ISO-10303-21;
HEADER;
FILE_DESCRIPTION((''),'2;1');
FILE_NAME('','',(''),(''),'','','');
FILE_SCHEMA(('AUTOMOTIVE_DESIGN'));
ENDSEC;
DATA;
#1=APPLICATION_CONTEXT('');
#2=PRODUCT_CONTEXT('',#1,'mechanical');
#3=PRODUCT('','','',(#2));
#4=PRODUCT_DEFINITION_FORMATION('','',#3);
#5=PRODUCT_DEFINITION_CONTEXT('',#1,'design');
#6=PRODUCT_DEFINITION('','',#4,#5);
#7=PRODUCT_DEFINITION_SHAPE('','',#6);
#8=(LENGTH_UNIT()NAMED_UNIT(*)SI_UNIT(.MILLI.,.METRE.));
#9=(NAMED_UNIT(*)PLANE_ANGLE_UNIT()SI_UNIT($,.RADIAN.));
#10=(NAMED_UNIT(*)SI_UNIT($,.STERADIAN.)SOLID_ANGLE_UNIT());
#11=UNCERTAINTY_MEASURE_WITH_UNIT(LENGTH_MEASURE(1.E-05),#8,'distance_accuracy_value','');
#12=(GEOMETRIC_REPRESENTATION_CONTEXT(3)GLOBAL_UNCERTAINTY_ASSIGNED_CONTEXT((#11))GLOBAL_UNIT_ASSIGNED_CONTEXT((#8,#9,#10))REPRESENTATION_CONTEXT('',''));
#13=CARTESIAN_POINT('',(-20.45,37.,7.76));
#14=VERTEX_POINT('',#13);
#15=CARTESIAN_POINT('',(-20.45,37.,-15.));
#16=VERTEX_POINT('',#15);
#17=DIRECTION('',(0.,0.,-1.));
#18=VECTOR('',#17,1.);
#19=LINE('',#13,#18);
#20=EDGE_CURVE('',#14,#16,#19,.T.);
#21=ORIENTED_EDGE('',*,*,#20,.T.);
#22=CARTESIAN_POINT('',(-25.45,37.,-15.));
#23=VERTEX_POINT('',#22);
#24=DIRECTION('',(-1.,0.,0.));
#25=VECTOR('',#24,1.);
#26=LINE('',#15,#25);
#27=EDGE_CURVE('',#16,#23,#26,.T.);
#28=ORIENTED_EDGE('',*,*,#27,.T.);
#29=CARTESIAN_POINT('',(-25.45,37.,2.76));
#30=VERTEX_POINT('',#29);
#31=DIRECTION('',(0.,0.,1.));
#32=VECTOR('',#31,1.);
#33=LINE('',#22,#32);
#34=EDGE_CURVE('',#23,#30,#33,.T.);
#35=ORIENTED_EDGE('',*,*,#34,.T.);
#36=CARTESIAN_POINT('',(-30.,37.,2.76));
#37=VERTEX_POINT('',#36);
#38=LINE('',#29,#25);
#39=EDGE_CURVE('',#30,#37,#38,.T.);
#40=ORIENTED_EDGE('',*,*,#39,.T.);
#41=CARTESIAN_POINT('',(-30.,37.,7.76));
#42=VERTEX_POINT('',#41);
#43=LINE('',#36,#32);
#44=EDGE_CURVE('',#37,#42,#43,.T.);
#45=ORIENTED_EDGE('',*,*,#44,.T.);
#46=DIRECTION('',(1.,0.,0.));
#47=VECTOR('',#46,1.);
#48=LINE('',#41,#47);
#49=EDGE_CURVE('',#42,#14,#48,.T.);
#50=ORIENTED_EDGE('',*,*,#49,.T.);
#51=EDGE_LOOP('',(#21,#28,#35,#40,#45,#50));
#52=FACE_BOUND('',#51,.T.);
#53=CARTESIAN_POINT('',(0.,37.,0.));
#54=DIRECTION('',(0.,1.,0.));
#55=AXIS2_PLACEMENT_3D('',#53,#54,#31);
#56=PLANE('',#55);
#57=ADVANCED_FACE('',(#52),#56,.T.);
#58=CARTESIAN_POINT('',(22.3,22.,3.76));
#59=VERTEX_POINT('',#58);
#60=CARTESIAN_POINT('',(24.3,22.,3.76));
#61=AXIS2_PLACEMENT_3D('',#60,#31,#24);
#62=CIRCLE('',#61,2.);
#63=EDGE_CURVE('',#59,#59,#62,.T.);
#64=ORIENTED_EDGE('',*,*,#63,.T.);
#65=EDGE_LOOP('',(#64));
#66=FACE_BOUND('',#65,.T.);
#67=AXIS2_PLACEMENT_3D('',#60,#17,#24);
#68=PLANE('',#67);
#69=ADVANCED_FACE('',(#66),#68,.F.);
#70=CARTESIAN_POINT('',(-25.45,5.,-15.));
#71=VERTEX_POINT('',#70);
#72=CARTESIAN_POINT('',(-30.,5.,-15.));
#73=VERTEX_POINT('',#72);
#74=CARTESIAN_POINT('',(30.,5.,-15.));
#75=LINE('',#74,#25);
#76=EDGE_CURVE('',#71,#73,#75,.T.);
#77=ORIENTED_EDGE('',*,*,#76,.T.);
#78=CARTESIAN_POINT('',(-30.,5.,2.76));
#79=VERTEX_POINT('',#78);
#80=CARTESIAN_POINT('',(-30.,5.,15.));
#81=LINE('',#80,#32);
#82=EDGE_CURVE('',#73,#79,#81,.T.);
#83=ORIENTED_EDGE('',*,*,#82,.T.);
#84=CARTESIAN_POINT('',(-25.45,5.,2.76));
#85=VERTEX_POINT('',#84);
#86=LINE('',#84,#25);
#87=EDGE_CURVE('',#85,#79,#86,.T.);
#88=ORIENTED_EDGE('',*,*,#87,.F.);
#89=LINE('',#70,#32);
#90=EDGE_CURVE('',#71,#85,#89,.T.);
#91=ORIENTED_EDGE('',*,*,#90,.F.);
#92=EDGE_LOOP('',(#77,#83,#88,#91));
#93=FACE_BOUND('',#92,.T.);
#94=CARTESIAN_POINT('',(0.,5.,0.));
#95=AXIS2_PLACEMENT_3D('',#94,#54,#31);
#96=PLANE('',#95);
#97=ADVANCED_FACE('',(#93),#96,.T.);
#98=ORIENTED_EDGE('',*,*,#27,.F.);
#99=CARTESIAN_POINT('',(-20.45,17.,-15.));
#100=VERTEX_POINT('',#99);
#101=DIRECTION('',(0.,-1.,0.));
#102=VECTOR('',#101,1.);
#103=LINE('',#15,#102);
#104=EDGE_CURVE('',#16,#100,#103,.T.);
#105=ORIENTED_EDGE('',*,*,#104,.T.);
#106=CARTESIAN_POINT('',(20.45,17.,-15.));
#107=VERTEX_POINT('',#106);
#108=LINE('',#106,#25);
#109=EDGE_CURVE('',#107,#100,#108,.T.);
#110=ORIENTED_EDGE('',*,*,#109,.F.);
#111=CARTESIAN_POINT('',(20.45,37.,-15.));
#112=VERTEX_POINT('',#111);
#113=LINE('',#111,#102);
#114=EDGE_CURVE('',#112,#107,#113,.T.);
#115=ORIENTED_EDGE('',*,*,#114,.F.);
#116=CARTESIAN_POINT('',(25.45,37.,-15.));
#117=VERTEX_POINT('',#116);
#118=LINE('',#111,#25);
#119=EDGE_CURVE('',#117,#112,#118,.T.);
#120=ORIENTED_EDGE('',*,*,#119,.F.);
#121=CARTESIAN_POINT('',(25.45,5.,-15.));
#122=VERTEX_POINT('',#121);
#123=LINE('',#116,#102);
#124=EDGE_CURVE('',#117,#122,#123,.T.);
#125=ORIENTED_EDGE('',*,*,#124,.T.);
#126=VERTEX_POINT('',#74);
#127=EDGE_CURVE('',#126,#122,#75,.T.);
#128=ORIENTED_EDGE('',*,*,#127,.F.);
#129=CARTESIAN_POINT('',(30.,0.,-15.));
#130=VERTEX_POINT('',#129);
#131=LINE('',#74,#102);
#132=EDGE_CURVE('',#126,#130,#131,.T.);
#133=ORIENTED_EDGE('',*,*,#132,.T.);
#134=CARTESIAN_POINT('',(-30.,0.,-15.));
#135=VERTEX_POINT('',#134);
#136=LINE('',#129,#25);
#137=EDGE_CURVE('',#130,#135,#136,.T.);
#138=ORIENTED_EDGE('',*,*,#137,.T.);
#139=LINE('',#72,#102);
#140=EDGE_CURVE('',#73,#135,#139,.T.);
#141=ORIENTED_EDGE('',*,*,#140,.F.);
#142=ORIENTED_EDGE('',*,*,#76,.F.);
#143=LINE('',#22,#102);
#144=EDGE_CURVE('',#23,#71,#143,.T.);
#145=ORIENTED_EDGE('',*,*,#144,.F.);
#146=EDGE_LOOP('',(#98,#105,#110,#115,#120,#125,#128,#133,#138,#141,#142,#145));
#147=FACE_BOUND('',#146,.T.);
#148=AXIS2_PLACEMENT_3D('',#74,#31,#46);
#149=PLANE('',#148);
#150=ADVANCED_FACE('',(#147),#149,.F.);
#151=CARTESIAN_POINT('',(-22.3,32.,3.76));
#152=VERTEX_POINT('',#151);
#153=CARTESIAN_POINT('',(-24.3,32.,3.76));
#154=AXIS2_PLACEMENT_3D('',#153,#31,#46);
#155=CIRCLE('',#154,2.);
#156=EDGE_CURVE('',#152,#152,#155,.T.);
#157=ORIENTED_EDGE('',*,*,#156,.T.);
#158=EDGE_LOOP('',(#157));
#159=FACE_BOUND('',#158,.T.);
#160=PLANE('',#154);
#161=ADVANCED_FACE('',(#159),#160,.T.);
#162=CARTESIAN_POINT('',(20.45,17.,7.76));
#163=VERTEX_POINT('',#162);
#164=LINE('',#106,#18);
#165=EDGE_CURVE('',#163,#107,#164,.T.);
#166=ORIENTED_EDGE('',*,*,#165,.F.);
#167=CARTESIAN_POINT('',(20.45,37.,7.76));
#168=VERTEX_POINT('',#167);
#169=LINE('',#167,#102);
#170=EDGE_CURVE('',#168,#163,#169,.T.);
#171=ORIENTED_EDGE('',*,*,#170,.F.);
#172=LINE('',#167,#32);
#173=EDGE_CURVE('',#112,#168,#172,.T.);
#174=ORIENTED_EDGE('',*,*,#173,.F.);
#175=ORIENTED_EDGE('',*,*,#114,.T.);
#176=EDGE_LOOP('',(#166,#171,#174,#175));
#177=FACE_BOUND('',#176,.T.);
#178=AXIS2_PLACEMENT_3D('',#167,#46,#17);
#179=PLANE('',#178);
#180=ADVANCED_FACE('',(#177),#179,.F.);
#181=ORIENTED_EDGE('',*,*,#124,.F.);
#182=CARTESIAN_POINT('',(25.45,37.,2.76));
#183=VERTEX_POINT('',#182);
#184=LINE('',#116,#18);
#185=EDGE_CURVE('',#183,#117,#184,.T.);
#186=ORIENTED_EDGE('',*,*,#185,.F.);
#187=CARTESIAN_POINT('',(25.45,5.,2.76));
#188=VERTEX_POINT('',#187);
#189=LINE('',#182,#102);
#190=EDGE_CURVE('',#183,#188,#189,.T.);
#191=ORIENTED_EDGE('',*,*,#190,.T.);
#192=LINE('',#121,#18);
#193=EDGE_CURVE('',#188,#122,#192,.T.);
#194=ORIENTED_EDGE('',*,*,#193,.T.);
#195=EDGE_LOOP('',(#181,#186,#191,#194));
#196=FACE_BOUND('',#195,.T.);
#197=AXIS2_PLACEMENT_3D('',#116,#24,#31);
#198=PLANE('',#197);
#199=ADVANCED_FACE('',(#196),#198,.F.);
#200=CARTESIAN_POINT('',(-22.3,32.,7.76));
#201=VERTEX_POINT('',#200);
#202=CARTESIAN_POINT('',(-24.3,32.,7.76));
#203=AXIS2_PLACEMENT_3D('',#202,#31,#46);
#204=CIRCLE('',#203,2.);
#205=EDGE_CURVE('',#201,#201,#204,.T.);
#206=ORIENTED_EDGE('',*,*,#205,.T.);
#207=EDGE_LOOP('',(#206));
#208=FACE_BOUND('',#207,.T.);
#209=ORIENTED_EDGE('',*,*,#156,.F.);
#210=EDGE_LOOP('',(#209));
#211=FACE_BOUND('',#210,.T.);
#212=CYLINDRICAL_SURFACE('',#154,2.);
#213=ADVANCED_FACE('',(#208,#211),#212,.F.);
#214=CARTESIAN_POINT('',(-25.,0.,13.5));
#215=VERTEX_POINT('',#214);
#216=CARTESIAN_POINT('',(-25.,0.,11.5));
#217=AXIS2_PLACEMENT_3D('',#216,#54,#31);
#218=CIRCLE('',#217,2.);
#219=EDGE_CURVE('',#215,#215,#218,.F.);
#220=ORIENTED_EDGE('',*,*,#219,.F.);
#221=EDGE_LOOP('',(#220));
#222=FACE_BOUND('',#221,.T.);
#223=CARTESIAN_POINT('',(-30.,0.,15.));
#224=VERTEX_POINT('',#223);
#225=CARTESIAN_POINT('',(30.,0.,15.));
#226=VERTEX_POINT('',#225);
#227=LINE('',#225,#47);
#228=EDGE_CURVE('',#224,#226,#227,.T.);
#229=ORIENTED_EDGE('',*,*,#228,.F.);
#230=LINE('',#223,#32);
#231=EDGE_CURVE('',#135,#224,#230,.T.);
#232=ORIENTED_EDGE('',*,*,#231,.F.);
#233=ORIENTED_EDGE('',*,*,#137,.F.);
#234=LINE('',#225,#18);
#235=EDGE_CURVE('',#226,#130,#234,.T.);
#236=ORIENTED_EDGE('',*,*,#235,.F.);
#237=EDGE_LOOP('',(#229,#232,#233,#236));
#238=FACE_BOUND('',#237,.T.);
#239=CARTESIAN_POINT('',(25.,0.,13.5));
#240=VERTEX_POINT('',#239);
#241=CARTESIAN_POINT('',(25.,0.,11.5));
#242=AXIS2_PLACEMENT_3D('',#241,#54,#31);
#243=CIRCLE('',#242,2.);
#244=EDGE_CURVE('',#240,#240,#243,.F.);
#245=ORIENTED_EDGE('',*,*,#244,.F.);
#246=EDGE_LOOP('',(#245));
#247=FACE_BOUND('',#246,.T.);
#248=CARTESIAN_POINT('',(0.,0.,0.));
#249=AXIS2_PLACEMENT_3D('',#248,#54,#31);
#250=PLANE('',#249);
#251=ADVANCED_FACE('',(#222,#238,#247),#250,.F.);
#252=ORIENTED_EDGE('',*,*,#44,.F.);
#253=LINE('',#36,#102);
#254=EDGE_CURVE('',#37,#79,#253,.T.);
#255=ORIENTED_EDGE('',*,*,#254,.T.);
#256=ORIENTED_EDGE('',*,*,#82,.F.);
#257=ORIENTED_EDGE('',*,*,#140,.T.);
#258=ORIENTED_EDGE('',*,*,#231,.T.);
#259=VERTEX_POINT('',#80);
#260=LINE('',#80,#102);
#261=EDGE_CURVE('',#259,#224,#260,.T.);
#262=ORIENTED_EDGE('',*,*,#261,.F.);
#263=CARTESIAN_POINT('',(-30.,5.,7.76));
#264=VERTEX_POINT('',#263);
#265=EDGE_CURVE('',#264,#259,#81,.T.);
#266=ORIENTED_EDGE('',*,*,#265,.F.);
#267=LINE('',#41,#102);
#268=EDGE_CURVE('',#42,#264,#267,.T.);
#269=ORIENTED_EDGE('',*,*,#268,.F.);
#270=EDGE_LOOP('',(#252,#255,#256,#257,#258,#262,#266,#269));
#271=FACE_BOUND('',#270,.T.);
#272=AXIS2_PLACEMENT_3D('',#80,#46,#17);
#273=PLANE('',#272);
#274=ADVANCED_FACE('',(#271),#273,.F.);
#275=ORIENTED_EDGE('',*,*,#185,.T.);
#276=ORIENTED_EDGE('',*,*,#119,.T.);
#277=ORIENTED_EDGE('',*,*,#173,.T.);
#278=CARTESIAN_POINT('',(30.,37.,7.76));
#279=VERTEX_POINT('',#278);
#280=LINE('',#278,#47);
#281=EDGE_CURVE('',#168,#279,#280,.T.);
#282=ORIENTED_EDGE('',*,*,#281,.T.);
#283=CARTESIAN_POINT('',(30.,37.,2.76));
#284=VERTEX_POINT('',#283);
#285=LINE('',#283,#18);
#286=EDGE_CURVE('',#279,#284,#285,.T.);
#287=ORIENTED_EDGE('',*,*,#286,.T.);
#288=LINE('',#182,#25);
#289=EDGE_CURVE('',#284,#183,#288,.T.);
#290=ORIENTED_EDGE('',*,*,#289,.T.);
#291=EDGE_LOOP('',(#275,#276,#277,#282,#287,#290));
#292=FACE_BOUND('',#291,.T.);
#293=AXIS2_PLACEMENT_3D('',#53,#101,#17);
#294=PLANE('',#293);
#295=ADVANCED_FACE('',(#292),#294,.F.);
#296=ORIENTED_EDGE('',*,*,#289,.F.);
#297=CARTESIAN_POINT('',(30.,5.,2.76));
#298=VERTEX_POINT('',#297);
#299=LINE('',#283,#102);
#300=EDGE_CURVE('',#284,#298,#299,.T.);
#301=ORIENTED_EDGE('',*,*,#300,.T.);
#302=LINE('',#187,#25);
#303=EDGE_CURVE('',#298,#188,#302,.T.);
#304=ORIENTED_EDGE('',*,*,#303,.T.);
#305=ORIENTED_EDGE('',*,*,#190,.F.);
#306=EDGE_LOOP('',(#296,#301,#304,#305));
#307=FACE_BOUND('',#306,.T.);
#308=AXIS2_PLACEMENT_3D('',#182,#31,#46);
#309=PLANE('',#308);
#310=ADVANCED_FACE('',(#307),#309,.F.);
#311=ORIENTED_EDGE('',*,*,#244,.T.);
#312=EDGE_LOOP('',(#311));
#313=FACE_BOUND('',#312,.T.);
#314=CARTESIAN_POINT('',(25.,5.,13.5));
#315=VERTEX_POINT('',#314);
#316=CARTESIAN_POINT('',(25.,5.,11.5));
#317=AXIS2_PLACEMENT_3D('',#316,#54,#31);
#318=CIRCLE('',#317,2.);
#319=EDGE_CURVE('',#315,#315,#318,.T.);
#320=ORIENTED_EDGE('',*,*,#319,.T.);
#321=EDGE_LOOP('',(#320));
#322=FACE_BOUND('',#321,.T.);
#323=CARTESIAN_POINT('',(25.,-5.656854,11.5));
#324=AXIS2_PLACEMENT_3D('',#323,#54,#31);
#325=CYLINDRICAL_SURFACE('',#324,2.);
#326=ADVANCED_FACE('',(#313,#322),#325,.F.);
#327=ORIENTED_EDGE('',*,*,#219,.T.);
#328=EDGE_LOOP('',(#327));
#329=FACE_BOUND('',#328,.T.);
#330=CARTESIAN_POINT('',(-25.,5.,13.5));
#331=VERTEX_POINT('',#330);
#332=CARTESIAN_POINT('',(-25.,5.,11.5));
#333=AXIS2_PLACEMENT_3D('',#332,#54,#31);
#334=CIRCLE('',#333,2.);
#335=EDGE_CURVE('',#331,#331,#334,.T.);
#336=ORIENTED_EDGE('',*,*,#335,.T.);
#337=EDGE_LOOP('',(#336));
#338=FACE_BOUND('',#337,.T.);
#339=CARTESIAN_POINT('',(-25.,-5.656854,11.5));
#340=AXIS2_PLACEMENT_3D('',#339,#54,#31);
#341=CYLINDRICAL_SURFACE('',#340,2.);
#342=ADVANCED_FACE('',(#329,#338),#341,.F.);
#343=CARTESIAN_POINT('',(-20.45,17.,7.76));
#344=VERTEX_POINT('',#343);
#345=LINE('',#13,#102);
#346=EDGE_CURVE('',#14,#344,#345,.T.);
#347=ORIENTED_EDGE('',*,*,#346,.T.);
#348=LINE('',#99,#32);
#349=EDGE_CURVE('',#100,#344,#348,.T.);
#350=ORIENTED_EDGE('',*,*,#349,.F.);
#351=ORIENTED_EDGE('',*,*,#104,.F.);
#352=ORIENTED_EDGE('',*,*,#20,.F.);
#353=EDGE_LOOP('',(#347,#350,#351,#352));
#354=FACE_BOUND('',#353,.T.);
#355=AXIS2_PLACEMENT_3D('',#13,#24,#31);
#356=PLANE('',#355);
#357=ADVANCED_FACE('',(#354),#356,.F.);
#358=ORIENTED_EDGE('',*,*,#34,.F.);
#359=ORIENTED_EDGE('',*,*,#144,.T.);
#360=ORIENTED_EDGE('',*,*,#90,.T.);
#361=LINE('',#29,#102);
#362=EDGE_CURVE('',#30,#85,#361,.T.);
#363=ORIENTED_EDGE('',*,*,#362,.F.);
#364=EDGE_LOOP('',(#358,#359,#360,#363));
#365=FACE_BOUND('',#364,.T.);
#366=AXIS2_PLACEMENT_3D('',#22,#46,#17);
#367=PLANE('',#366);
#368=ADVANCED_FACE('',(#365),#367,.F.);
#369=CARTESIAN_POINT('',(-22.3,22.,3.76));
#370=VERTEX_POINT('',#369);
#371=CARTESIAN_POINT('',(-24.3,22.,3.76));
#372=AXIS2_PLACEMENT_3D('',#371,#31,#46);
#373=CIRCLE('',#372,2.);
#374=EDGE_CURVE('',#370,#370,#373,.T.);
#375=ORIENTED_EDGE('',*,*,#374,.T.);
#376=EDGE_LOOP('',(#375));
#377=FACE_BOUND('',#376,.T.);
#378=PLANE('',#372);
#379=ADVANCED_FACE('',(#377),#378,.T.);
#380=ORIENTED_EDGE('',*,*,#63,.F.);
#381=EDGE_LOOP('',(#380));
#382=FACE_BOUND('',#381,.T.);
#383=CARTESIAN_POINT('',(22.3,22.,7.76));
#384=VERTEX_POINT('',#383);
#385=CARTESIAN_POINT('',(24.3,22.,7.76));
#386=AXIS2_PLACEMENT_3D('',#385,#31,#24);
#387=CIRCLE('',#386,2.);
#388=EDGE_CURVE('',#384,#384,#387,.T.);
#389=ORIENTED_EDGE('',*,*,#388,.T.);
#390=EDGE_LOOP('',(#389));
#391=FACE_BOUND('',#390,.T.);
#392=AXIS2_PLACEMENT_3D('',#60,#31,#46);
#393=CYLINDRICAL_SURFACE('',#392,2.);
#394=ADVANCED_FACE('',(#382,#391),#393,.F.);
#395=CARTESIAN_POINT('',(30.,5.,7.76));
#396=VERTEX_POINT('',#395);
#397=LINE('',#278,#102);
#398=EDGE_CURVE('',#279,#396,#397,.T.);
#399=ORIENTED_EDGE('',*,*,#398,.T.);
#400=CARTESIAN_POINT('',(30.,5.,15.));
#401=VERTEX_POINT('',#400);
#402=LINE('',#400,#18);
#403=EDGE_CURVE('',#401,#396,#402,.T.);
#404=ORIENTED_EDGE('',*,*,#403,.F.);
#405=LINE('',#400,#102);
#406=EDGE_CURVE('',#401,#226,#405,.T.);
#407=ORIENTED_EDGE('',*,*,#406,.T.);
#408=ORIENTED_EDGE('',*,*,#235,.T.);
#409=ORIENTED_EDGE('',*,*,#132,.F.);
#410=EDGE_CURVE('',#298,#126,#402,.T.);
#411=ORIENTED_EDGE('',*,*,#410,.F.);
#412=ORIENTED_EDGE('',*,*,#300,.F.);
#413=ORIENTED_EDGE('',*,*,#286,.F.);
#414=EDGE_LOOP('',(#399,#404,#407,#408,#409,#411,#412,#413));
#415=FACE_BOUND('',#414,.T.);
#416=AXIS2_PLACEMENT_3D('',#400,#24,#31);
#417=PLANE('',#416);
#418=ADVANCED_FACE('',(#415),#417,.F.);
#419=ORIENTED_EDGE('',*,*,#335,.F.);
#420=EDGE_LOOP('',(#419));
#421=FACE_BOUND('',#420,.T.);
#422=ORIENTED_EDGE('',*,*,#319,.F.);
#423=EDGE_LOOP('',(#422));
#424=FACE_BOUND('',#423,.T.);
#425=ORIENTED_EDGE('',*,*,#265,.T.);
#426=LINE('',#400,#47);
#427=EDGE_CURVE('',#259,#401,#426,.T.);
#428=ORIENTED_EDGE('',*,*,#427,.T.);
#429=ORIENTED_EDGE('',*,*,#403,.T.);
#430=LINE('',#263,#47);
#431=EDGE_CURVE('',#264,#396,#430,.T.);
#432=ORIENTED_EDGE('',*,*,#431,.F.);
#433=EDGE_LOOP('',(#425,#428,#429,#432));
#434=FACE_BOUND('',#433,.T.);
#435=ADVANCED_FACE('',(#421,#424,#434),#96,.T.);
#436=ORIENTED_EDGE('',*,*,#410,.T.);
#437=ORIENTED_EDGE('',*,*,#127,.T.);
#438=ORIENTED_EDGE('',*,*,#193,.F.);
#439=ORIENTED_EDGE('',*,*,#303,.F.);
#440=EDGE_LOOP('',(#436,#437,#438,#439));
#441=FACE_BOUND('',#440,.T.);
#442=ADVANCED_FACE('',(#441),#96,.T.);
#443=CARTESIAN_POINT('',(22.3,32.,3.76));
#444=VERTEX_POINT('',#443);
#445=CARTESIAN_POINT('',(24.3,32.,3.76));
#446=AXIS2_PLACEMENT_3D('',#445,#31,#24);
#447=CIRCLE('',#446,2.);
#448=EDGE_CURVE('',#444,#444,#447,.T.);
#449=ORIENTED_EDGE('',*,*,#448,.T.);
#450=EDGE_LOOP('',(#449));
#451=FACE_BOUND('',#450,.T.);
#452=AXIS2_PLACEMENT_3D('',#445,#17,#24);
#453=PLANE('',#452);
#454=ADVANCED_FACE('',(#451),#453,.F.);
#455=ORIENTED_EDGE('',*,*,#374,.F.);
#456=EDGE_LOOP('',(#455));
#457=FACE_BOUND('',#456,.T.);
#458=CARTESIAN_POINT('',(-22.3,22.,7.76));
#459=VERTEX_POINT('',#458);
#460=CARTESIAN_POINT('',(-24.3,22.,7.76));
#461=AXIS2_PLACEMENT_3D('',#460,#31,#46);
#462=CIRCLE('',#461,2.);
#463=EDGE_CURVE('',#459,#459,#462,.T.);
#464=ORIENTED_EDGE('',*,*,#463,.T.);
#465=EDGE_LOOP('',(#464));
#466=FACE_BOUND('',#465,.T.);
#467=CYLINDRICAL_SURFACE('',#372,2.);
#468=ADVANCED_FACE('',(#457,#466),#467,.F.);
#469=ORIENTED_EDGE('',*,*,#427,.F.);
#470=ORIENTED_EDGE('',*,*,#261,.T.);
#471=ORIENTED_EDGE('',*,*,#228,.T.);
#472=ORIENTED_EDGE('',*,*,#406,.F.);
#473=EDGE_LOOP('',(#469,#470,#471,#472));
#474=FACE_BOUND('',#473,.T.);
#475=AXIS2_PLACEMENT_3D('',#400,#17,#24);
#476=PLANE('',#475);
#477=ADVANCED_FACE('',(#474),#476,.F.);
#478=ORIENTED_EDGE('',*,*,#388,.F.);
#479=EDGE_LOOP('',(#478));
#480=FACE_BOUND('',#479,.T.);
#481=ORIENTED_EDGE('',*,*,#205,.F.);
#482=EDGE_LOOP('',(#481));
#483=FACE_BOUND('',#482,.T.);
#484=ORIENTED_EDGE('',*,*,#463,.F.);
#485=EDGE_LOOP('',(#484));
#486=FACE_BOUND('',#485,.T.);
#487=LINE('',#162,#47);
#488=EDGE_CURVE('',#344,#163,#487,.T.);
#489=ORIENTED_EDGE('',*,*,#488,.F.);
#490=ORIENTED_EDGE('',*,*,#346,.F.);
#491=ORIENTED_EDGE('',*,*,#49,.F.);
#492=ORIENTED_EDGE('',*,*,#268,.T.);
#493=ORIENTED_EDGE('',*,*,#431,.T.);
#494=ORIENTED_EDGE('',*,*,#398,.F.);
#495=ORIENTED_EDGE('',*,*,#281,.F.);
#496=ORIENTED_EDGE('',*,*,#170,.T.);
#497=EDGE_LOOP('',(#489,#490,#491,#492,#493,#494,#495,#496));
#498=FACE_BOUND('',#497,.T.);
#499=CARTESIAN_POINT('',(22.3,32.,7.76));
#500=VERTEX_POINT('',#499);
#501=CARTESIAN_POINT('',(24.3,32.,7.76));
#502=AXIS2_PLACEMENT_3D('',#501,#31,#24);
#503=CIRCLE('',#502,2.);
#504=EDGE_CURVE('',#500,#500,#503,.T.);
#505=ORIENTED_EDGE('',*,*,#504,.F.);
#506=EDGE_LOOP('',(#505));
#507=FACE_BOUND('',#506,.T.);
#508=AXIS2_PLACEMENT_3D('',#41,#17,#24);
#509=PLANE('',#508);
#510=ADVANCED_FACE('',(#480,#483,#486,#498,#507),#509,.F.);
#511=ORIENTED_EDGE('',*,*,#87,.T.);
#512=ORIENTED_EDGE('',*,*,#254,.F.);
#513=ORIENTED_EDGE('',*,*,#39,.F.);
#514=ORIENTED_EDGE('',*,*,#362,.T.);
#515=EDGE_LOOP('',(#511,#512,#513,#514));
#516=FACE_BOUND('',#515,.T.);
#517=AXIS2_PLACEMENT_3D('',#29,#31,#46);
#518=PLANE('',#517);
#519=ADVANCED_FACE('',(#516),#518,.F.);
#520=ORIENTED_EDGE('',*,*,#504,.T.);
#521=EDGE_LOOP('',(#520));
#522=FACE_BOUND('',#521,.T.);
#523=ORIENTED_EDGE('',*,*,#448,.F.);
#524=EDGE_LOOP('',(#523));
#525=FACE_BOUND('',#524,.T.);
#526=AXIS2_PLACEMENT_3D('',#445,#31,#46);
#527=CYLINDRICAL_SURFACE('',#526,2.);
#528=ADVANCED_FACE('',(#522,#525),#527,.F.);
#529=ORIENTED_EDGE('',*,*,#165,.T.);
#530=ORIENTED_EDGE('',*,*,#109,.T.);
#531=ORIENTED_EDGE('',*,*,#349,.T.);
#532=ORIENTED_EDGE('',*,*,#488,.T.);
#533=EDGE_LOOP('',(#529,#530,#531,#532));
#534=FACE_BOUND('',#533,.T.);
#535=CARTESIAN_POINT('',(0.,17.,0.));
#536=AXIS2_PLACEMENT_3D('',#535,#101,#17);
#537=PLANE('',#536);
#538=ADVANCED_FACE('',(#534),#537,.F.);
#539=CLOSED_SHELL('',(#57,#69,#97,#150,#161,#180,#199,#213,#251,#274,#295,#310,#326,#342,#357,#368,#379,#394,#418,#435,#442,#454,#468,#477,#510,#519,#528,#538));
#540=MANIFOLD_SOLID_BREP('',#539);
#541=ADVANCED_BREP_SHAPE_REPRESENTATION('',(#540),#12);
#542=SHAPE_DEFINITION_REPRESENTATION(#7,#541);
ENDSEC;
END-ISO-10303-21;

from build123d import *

# Parameters (mm, degrees)
SKETCH1_W           = 60
SKETCH1_H           = 30
BOSS_EXTRUDE1_DEPTH = 5
BOSS_EXTRUDE4_DEPTH = 32
SKETCH7_W           = 40.9
SKETCH7_H           = 22.76
BOSS_EXTRUDE5_DEPTH = 12
SKETCH9_R           = 2
CUT_EXTRUDE2_DEPTH  = 5
SKETCH10_R          = 2
CUT_EXTRUDE3_DEPTH  = 4


with BuildPart() as part:
    # Sketch1 → Boss-Extrude1 (new body)
    with BuildSketch(Plane(origin=(0, 0, 0), x_dir=(1, 0, 0), z_dir=(0, 1, 0))):
        Rectangle(SKETCH1_W, SKETCH1_H)
    extrude(amount=BOSS_EXTRUDE1_DEPTH)

    # Sketch6 → Boss-Extrude4 (add)
    with BuildSketch(Plane(origin=(0, 5, 0), x_dir=(1, 0, 0), z_dir=(0, 1, 0))):
        Polygon((-20.45, 15), (-25.45, 15), (-25.45, -2.76), (-30, -2.76), (-30, -7.76), (-20.45, -7.76), align=None)
        Polygon((30, -2.76), (30, -7.76), (20.45, -7.76), (20.45, 15), (25.45, 15), (25.45, -2.76), align=None)
    extrude(amount=BOSS_EXTRUDE4_DEPTH)

    # Sketch7 → Boss-Extrude5 (add)
    with BuildSketch(Plane(origin=(0, 5, 0), x_dir=(1, 0, 0), z_dir=(0, 1, 0))):
        with Locations((0, 3.62)):
            Rectangle(SKETCH7_W, SKETCH7_H)
    extrude(amount=BOSS_EXTRUDE5_DEPTH)

    # Sketch9 → Cut-Extrude2 (cut)
    with BuildSketch(Plane(origin=(0, 5, 0), x_dir=(1, 0, 0), z_dir=(0, 1, 0))):
        with Locations(Location((-25, -11.5, 0), (0, 0, 270))):
            Circle(SKETCH9_R)
        with Locations(Location((25, -11.5, 0), (0, 0, 270))):
            Circle(SKETCH9_R)
    extrude(amount=-CUT_EXTRUDE2_DEPTH, mode=Mode.SUBTRACT)

    # Sketch10 → Cut-Extrude3 (cut)
    with BuildSketch(Plane.XY.offset(7.76)):
        with Locations((-24.3, 32)):
            Circle(SKETCH10_R)
        with Locations((-24.3, 22)):
            Circle(SKETCH10_R)
        with Locations(Location((24.3, 22, 0), (0, 0, 180))):
            Circle(SKETCH10_R)
        with Locations(Location((24.3, 32, 0), (0, 0, 180))):
            Circle(SKETCH10_R)
    extrude(amount=-CUT_EXTRUDE3_DEPTH, mode=Mode.SUBTRACT)


solid = part.part
